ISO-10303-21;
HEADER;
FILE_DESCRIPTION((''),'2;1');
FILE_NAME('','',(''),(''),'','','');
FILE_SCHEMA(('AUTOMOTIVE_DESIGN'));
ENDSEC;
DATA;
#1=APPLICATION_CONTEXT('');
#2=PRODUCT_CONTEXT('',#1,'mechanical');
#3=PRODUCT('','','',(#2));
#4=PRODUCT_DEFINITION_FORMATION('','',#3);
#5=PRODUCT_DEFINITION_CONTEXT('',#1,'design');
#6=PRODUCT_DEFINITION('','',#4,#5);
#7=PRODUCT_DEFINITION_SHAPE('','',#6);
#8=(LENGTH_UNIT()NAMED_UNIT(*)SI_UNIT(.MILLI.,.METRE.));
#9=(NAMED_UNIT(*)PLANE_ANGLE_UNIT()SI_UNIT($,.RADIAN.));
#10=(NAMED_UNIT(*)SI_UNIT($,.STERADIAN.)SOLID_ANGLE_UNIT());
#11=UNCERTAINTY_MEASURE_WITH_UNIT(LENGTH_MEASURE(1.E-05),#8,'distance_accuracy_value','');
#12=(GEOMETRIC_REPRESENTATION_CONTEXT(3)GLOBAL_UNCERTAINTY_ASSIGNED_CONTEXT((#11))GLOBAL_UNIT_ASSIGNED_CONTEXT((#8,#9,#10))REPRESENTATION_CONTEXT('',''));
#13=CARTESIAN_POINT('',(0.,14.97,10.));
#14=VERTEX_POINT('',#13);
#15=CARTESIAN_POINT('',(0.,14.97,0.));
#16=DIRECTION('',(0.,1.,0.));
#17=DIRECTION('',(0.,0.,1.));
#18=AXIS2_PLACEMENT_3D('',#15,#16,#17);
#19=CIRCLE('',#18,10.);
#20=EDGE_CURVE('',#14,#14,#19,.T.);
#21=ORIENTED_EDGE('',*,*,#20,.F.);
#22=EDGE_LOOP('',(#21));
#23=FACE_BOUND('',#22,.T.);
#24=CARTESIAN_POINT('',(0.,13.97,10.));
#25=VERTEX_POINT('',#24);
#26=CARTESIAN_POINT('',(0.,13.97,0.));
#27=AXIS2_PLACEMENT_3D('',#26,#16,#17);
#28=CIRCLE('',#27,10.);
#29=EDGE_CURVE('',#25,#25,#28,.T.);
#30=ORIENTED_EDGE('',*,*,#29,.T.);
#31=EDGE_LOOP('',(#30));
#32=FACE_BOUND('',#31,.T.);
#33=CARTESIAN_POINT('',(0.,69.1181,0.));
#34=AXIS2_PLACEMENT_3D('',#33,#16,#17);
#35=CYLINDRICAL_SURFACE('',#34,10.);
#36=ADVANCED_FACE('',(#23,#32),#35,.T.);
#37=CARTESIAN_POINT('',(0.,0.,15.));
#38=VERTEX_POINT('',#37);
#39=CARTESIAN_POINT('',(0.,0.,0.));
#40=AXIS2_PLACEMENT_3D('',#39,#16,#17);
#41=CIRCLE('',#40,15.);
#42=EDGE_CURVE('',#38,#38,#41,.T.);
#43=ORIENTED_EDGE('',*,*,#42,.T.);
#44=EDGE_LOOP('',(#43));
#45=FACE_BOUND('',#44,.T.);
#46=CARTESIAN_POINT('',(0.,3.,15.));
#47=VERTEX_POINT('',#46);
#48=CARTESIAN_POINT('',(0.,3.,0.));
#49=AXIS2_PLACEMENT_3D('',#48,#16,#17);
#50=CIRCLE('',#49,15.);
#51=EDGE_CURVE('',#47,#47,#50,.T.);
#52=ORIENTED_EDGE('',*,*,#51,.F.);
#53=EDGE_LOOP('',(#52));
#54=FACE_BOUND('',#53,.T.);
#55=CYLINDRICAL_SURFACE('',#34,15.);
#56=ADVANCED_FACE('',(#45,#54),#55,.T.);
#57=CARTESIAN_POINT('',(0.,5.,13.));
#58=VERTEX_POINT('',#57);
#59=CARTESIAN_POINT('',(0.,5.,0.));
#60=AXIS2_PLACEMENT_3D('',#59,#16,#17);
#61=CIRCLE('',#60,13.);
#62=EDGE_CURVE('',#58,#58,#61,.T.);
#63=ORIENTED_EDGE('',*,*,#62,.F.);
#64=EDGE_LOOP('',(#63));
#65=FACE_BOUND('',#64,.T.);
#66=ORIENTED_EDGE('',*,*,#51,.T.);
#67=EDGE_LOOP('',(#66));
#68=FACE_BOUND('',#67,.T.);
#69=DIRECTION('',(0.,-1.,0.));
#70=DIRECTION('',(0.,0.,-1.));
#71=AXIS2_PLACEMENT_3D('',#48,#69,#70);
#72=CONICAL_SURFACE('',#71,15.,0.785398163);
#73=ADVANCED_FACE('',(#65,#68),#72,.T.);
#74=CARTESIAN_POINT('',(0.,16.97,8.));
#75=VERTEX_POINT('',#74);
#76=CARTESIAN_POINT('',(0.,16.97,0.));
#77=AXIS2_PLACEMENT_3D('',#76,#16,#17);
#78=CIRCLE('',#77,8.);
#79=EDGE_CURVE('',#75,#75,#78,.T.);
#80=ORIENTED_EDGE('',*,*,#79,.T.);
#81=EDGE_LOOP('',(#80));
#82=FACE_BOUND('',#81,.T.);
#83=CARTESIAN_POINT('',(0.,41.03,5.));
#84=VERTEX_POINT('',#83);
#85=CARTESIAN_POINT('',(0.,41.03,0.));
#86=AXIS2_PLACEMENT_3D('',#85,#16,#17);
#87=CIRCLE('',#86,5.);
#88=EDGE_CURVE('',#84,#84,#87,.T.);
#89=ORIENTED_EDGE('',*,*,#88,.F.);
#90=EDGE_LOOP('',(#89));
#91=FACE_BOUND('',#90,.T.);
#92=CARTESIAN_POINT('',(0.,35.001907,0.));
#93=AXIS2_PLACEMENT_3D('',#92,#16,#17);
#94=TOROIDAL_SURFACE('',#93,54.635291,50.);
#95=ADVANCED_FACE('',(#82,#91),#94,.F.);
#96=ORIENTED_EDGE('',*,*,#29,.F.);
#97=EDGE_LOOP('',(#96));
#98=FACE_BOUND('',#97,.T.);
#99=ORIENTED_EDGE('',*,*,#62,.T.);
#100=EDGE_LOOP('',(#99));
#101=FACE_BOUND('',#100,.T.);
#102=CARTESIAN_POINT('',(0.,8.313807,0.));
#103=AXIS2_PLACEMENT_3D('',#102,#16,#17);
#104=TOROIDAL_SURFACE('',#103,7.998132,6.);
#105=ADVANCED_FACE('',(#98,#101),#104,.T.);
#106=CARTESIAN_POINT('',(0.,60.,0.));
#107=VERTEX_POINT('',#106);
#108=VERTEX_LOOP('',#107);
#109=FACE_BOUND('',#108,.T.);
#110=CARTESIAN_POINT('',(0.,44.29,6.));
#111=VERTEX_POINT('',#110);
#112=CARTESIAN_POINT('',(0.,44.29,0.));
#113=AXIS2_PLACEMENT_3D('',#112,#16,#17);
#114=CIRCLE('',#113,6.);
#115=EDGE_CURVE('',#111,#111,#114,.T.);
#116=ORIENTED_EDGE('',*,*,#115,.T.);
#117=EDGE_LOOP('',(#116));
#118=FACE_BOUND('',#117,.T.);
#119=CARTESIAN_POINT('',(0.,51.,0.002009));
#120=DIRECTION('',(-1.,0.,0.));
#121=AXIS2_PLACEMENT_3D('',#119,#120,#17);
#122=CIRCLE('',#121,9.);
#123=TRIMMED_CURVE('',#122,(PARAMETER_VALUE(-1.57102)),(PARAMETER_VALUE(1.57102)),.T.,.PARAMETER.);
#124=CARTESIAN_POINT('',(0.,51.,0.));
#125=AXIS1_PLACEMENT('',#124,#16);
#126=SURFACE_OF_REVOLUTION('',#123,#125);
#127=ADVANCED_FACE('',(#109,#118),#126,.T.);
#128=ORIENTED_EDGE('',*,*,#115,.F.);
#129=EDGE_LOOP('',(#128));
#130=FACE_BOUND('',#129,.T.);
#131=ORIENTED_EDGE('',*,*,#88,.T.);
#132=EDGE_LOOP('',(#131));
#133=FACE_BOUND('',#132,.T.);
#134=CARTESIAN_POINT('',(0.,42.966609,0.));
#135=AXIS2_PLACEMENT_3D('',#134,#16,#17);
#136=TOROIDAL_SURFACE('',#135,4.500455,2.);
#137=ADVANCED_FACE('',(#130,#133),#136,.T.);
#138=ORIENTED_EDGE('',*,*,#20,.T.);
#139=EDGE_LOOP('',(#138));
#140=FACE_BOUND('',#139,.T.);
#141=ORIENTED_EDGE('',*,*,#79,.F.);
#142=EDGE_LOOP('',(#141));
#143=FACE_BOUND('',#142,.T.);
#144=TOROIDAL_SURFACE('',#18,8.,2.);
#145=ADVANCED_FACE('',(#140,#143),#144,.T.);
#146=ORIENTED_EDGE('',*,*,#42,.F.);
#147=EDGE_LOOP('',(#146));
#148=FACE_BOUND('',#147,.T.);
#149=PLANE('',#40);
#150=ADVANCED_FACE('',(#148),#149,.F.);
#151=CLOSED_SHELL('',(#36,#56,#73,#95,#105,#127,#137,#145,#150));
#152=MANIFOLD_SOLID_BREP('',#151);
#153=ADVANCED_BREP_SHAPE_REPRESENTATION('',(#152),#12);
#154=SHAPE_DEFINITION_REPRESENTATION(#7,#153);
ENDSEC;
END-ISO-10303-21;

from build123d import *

# Parameters (mm, degrees)
SKETCH1_W = 10
SKETCH1_H = 1


with BuildPart() as part:
    # Sketch1 → Revolve1 (revolve)
    with BuildSketch(Plane.XY, mode=Mode.PRIVATE) as revolve1_sk:
        with BuildLine():
            Line((0, 44.29), (0, 60))
            ThreePointArc((0, 60), (-8.409682529, 54.211078624), (-6, 44.29))
            Line((-6, 44.29), (0, 44.29))
        make_face()
        with BuildLine():
            Line((0, 41.03), (0, 44.29))
            Line((0, 44.29), (-6, 44.29))
            ThreePointArc((-6, 44.29), (-6.412519214, 42.380086131), (-5, 41.03))
            Line((-5, 41.03), (0, 41.03))
        make_face()
        with BuildLine():
            Line((0, 16.97), (0, 41.03))
            Line((0, 41.03), (-5, 41.03))
            ThreePointArc((-5, 41.03), (-5.019495729, 28.81539847), (-8, 16.97))
            Line((-8, 16.97), (0, 16.97))
        make_face()
        with BuildLine():
            Line((0, 14.97), (0, 16.97))
            Line((0, 16.97), (-8, 16.97))
            ThreePointArc((-8, 16.97), (-9.414213562, 16.384213562), (-10, 14.97))
            Line((-10, 14.97), (0, 14.97))
        make_face()
        with Locations((-5, 14.47)):
            Rectangle(SKETCH1_W, SKETCH1_H)
        with BuildLine():
            Line((0, 5), (0, 13.97))
            Line((0, 13.97), (-10, 13.97))
            ThreePointArc((-10, 13.97), (-13.688325627, 10.216881481), (-13, 5))
            Line((-13, 5), (0, 5))
        make_face()
        Polygon((0, 0), (0, 5), (-13, 5), (-15, 3), (-15, 0), align=None)
    revolve(revolve1_sk.sketch.rotate(Axis((0, 69.118100181, 0), (0, -1, 0)), 270), axis=Axis((0, 69.118100181, 0), (0, -1, 0)))


solid = part.part
